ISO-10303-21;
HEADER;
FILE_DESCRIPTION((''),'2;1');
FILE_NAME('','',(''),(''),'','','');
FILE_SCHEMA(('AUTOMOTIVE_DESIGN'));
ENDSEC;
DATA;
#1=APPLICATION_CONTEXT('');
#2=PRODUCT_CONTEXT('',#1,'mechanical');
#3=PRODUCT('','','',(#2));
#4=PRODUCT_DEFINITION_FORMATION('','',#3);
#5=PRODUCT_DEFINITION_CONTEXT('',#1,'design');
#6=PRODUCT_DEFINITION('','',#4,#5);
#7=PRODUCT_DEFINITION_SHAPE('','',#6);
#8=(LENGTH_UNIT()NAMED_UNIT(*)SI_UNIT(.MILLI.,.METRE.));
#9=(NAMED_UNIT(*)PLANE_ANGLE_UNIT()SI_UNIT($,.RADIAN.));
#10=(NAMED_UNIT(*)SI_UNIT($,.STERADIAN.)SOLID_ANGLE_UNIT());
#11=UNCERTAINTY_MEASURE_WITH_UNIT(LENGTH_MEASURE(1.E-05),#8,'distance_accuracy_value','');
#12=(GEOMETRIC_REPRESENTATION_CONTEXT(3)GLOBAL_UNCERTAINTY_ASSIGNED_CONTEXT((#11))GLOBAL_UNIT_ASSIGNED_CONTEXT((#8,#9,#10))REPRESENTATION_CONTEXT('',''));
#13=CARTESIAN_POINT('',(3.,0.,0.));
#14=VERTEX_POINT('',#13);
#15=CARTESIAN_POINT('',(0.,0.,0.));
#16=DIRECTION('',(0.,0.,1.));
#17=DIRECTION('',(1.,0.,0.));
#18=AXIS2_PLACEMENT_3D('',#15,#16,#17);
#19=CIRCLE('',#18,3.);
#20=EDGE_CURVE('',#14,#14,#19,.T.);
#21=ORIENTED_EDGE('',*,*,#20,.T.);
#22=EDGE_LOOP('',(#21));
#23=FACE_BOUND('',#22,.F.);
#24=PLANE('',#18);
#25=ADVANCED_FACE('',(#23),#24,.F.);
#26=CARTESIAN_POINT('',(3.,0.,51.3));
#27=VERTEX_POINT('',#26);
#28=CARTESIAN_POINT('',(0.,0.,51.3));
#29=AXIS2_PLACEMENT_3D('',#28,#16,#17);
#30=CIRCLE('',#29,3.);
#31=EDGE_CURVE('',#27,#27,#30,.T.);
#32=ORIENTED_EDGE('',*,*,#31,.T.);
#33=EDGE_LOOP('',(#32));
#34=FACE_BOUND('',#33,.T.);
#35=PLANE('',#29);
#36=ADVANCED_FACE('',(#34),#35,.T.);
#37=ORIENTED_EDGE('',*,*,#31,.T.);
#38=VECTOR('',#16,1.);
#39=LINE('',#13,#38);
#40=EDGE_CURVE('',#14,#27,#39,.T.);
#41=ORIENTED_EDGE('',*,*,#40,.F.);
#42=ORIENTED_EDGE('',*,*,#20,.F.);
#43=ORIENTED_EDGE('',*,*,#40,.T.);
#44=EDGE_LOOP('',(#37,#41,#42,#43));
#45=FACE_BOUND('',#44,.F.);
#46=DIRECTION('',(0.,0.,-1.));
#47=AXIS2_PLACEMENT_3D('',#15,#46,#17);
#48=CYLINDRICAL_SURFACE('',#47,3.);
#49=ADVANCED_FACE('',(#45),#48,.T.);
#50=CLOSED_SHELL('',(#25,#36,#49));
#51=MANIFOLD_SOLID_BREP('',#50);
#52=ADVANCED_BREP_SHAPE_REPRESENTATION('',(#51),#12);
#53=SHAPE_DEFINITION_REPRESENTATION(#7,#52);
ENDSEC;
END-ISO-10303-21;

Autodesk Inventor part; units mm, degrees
ref_plane "YZ Plane" through (0, 0, 0) normal (1, 0, 0) x (0, 1, 0)
ref_plane "XZ Plane" through (0, 0, 0) normal (0, 1, 0) x (-1, 0, 0)
ref_plane "XY Plane" through (0, 0, 0) normal (0, 0, 1) x (1, 0, 0)
sketch "Sketch1" plane through (0, 0, 0) normal (0, 0, 1) x (1, 0, 0)
  circle A0 centre (0, 0) radius 3
  dimension "d0" = 6
extrude "Extrusion1" add sketch "Sketch1" along normal blind 51.3
properties part number "Rail"
